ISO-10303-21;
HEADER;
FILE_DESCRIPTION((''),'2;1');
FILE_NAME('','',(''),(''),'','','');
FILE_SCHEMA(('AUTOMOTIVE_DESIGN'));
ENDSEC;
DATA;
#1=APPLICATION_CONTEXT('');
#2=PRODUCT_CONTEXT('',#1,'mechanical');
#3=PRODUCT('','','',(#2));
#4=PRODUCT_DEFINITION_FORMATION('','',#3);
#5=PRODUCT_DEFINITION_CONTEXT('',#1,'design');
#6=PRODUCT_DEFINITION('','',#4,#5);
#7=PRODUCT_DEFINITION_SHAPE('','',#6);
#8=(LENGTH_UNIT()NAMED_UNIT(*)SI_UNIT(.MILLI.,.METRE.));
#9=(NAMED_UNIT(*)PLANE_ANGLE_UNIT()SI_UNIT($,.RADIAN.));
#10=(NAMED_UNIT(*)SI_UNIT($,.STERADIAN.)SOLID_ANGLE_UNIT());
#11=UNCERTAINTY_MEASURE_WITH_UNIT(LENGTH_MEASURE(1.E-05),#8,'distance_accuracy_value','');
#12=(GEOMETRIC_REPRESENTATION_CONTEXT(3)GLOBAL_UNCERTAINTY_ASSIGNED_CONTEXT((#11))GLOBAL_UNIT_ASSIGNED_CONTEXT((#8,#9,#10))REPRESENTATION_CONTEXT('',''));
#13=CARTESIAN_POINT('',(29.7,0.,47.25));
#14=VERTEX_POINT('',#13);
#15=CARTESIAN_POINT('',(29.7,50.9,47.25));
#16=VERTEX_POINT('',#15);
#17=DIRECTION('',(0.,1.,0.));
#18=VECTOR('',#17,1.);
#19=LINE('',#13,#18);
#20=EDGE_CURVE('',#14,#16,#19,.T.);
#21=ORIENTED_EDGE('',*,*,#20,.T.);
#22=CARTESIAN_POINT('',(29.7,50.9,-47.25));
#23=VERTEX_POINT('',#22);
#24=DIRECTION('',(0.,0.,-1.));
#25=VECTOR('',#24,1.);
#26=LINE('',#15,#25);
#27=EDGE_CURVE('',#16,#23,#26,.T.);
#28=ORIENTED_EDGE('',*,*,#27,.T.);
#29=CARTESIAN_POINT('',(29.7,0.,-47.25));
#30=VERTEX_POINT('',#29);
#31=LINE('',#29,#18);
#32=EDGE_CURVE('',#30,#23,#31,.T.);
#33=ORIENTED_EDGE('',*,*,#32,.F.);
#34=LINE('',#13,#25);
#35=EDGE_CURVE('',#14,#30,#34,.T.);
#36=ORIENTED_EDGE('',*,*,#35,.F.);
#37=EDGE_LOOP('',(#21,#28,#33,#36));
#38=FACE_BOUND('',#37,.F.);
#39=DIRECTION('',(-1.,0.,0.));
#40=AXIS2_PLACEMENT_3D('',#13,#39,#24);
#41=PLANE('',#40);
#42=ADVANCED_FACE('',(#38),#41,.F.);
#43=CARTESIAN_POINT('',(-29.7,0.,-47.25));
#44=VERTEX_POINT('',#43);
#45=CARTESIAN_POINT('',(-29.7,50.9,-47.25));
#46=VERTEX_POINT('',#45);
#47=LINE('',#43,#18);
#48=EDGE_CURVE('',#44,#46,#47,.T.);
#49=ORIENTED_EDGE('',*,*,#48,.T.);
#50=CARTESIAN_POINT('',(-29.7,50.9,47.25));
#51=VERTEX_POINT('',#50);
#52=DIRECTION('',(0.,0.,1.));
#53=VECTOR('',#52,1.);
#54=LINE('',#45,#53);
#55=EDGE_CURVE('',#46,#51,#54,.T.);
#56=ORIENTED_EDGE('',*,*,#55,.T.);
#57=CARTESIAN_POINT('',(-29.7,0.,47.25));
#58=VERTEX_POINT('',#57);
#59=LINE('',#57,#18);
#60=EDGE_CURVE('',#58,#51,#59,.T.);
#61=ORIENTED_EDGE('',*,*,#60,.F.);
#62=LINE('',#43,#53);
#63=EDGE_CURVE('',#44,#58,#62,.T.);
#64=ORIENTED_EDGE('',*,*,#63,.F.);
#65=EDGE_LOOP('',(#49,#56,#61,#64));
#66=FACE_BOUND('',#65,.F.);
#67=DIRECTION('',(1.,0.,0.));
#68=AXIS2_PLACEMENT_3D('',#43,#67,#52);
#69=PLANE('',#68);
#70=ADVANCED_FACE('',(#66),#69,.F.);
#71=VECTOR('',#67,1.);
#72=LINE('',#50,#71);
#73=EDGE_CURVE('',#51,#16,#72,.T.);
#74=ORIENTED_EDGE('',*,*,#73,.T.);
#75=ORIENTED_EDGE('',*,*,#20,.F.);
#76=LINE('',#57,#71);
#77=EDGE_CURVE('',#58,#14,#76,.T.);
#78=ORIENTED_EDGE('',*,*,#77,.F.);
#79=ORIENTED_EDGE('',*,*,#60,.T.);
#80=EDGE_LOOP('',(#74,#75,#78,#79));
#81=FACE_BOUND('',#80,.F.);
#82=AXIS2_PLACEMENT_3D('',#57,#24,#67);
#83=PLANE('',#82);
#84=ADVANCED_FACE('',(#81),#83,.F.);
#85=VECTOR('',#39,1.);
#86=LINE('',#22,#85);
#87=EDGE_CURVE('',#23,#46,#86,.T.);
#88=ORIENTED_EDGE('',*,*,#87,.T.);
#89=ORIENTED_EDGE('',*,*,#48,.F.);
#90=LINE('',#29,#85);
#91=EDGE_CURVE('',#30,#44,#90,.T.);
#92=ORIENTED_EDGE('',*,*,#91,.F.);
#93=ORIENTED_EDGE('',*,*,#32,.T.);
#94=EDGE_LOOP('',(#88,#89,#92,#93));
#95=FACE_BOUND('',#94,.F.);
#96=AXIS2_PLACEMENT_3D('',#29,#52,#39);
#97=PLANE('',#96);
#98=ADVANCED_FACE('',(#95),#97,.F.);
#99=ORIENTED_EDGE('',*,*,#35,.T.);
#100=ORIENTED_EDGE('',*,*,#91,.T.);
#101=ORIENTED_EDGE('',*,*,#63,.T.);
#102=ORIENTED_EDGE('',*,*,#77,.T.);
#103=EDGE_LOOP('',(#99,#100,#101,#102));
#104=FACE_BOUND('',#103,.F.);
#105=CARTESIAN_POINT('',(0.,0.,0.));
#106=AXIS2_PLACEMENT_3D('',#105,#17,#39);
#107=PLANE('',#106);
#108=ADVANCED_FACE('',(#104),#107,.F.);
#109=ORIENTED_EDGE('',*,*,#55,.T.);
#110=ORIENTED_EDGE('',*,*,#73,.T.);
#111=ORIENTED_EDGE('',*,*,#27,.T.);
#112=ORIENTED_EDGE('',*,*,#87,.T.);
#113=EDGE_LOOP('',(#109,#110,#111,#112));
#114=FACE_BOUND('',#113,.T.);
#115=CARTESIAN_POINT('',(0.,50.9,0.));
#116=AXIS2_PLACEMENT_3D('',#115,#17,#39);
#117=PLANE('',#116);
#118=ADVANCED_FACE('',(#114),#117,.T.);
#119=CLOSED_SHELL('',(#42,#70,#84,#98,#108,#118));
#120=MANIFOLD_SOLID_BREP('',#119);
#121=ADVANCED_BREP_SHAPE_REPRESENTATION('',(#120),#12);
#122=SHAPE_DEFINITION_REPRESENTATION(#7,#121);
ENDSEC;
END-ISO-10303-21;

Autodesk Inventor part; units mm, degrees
ref_plane "YZ Plane" through (0, 0, 0) normal (1, 0, 0) x (0, 1, 0)
ref_plane "XZ Plane" through (0, 0, 0) normal (0, 1, 0) x (-1, 0, 0)
ref_plane "XY Plane" through (0, 0, 0) normal (0, 0, 1) x (1, 0, 0)
sketch "Эскиз1" plane through (0, 0, 0) normal (0, 1, 0) x (-1, 0, 0)
  line L0 (-29.7, -47.25) -> (29.7, -47.25)
  line L1 (29.7, -47.25) -> (29.7, 47.25)
  line L2 (29.7, 47.25) -> (-29.7, 47.25)
  line L3 (-29.7, 47.25) -> (-29.7, -47.25)
  line L4 (-29.7, -47.25) -> (29.7, 47.25) construction
  line L5 (29.7, -47.25) -> (-29.7, 47.25) construction
  point P0 (0, 0)
  dimension "d0" = 59.4
  dimension "d1" = 94.5
extrude "Выдавливание1" add sketch "Эскиз1" along normal blind 50.9
properties part number "Контроллер EZrun max5"
